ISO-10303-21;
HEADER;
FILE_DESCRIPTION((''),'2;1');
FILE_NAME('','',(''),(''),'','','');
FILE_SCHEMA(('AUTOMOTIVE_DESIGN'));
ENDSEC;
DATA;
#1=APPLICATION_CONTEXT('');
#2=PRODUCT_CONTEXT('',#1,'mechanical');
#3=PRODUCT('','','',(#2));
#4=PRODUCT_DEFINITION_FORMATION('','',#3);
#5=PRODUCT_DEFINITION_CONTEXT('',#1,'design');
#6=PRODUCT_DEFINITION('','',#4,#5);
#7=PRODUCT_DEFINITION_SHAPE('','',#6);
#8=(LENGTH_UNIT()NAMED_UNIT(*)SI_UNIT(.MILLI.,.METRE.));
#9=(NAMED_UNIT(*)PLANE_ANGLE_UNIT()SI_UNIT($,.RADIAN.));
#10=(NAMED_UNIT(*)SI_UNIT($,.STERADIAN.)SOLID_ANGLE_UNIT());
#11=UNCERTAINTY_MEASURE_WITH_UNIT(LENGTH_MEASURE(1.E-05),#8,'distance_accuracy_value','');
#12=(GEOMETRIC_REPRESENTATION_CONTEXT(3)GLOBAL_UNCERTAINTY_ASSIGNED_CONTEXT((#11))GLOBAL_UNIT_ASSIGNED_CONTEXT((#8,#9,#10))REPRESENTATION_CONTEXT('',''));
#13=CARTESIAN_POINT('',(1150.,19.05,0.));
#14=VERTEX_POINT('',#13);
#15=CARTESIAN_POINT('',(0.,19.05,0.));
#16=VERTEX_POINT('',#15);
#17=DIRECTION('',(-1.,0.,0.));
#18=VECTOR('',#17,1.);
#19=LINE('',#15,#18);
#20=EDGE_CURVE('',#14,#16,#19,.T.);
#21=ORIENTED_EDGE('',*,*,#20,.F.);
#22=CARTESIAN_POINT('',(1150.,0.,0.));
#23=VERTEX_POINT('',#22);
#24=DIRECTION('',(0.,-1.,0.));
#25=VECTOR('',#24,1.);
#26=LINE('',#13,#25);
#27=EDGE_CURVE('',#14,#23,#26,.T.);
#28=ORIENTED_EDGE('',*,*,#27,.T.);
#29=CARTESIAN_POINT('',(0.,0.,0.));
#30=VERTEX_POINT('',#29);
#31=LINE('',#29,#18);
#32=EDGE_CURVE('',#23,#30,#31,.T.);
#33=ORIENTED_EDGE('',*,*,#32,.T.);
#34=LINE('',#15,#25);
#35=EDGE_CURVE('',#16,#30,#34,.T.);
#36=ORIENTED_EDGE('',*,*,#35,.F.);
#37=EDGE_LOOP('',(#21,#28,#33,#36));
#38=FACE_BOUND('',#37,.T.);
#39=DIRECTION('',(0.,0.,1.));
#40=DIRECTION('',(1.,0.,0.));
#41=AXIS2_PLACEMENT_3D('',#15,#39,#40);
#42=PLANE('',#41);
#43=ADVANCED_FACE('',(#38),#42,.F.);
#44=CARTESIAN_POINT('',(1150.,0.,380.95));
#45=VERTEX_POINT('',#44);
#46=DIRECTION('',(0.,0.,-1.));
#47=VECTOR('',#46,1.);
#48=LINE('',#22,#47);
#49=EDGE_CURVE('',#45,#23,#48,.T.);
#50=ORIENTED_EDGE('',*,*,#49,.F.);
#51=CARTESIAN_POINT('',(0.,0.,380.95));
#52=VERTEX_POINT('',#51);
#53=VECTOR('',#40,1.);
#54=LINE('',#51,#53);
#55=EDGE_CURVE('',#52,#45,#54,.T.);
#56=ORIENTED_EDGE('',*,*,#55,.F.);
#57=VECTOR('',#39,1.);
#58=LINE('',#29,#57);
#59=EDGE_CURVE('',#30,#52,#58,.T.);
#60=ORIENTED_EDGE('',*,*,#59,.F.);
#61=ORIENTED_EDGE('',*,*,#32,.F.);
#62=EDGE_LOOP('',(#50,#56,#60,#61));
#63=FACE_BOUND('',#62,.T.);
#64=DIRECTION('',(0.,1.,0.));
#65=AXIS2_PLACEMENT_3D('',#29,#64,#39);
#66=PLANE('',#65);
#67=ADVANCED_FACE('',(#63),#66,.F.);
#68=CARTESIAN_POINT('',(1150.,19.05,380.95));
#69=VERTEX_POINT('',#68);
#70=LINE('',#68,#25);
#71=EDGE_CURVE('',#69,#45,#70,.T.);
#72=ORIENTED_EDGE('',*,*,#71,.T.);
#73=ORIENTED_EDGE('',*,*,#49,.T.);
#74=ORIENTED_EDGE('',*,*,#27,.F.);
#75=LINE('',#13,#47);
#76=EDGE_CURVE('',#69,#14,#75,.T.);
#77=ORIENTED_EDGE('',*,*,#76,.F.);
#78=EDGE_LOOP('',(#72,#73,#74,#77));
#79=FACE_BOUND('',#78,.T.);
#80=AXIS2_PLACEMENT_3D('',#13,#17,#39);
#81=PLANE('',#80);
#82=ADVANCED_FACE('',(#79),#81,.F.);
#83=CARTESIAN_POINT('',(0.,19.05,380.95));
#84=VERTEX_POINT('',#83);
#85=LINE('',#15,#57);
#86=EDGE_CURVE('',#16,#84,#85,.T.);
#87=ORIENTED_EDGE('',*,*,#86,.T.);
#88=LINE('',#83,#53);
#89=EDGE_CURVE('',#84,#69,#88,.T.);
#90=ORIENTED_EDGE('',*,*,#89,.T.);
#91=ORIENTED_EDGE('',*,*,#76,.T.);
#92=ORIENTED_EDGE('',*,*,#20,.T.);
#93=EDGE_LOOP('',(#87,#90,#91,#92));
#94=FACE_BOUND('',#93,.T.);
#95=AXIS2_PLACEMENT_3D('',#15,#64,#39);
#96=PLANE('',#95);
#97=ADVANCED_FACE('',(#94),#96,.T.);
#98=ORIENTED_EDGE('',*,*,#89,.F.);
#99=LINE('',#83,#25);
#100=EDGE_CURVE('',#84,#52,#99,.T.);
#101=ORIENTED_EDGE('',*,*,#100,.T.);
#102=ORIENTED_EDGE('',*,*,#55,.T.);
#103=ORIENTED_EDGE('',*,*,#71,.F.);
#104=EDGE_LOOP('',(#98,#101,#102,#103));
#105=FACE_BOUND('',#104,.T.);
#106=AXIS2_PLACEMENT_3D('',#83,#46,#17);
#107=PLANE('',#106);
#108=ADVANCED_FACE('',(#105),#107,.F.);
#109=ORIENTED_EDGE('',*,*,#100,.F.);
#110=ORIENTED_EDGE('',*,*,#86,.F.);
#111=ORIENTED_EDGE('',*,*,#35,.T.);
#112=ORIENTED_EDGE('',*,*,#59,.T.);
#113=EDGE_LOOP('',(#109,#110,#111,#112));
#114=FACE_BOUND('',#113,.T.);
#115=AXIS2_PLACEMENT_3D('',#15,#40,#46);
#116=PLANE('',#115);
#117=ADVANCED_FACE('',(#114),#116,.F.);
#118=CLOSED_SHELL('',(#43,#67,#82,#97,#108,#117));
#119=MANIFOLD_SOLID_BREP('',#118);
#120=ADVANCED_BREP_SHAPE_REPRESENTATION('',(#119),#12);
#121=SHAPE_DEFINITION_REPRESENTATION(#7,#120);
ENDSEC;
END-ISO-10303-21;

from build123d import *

# Parameters (mm, degrees)
SKETCH1_W           = 1150
SKETCH1_H           = 380.95
BOSS_EXTRUDE1_DEPTH = 19.05


with BuildPart() as part:
    # Sketch1 → Boss-Extrude1 (new body)
    with BuildSketch(Plane(origin=(0, 0, 0), x_dir=(1, 0, 0), z_dir=(0, 1, 0))):
        with Locations((575, -190.475)):
            Rectangle(SKETCH1_W, SKETCH1_H)
    extrude(amount=BOSS_EXTRUDE1_DEPTH)


solid = part.part
